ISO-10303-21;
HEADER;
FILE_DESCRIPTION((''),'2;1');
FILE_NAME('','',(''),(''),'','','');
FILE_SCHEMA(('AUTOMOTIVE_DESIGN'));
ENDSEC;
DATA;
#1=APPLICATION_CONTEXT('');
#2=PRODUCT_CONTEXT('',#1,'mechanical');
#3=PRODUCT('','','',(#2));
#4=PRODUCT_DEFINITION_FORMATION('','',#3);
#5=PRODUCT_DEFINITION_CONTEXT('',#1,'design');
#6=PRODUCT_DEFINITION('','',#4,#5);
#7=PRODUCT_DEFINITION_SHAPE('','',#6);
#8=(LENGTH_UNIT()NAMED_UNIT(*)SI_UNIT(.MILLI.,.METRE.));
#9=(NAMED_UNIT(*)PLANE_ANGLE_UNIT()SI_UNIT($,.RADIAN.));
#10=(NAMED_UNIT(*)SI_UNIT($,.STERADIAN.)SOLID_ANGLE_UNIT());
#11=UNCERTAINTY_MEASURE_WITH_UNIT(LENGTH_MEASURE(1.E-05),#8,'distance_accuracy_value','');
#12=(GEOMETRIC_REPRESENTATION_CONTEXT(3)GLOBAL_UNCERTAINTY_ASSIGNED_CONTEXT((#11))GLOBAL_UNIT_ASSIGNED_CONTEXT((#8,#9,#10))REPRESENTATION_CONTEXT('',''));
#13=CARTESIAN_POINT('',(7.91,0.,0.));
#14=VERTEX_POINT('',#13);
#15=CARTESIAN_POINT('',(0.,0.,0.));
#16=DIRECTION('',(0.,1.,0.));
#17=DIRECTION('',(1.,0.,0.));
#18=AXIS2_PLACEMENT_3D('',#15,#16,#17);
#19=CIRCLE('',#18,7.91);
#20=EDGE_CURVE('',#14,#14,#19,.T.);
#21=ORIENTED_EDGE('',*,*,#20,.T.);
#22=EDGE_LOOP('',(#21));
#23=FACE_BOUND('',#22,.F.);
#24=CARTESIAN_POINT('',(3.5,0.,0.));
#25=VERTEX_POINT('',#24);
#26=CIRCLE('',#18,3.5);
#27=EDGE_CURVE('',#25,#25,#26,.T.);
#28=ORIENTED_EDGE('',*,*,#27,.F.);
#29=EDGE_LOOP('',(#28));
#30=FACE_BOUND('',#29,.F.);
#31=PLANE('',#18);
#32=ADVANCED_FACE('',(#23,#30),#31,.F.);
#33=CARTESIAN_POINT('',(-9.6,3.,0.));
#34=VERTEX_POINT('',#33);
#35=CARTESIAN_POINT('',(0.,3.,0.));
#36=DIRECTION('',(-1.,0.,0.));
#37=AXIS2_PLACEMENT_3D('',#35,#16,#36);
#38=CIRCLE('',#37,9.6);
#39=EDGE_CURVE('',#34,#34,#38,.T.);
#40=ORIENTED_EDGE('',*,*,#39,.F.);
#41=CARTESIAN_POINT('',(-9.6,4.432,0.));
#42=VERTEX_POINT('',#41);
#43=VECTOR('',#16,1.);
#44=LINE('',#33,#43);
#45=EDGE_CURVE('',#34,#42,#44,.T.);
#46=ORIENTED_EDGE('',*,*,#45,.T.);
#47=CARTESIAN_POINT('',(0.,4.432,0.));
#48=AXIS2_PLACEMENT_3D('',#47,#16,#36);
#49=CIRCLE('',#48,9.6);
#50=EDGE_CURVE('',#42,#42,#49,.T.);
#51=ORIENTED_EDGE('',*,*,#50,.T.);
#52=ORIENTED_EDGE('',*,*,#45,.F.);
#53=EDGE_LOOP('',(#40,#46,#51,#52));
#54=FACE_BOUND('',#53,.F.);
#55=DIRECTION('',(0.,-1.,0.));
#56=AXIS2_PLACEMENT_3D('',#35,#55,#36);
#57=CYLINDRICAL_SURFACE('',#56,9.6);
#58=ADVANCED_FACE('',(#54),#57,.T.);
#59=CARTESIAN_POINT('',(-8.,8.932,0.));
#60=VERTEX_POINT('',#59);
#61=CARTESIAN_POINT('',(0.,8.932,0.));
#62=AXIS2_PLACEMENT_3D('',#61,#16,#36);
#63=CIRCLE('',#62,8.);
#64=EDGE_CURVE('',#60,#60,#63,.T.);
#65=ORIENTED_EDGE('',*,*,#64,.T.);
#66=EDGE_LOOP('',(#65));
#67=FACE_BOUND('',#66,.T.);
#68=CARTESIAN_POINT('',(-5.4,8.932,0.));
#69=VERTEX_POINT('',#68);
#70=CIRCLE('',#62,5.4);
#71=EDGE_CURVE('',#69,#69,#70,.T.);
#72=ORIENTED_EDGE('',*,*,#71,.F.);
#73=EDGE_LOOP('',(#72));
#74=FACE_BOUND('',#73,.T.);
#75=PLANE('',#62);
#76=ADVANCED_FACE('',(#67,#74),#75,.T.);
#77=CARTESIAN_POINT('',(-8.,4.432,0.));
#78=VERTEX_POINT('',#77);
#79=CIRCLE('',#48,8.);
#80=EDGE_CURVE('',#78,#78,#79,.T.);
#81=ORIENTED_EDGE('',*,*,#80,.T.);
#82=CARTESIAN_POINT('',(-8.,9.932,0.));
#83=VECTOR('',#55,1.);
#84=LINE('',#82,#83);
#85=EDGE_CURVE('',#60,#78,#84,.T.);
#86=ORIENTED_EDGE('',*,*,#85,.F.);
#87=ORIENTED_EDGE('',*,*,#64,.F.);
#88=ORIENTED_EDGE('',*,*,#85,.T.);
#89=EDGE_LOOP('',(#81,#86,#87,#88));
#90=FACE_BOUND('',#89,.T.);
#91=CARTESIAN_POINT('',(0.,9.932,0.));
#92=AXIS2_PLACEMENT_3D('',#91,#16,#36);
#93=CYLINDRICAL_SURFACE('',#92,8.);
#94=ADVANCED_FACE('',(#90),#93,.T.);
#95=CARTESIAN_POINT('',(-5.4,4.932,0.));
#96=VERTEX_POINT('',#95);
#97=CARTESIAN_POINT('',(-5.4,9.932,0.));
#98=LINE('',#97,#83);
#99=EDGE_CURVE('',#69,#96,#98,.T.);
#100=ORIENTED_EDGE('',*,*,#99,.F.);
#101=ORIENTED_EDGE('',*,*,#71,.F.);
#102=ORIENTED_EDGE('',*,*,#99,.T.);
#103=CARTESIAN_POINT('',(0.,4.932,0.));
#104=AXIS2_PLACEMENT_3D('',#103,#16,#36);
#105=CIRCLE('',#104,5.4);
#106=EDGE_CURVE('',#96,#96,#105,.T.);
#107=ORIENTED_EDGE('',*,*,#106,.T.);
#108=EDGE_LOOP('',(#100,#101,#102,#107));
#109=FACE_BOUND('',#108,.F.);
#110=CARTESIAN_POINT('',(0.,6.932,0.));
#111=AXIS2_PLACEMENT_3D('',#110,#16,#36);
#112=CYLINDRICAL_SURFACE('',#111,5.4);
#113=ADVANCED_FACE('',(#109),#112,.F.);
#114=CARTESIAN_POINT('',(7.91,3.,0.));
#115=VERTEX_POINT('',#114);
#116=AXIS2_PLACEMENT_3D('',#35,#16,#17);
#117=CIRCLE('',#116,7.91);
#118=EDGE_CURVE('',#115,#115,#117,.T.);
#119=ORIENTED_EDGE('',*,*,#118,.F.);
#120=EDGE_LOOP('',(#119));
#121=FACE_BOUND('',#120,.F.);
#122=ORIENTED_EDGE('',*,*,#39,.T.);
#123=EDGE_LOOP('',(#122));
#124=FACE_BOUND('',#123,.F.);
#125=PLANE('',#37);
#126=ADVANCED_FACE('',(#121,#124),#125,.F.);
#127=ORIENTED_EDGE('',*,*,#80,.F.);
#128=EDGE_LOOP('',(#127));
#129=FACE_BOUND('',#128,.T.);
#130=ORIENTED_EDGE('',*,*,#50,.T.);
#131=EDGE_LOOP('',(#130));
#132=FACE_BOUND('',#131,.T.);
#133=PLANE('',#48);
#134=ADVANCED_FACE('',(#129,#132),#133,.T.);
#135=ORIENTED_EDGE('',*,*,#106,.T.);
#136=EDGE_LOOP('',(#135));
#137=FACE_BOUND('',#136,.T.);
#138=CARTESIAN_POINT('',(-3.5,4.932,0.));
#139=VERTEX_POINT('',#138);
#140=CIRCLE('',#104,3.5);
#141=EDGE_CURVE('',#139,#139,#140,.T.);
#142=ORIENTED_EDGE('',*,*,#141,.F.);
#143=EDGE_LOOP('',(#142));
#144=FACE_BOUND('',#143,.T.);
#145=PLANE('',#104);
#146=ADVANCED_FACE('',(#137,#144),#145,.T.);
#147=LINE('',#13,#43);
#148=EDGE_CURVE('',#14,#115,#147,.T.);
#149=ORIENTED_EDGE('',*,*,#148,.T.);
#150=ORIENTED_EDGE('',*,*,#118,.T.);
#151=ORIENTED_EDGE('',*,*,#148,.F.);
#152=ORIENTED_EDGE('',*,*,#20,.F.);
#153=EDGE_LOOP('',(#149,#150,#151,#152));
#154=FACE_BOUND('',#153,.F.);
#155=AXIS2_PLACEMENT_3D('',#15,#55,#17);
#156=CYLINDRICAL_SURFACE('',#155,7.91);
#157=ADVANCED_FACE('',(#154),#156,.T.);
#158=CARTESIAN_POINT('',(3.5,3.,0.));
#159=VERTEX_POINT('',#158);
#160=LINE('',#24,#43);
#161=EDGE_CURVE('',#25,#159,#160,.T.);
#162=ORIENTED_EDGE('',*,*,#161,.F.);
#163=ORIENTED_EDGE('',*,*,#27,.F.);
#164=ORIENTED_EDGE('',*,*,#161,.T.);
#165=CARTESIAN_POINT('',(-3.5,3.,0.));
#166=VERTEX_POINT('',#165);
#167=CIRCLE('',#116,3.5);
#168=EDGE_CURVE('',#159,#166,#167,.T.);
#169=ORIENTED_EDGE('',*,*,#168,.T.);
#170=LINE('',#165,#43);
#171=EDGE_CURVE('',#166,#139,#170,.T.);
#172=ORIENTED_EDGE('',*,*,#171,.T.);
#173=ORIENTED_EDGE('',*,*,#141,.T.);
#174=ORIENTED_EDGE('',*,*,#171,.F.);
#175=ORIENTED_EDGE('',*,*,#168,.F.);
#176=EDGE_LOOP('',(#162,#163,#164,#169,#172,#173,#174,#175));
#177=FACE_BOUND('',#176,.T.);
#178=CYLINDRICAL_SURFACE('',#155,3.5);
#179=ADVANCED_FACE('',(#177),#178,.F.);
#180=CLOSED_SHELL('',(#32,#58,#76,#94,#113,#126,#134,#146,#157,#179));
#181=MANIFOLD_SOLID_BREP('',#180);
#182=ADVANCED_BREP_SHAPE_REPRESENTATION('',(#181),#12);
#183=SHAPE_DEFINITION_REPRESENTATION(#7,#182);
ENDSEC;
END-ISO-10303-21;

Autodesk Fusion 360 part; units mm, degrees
sketch "Sketch1" plane through (0, 0, 0) normal (0, 1, 0) x (1, 0, 0)
  circle A0 centre (0, 0) radius 7.91
  circle A1 centre (0, 0) radius 3.5
  dimension "d1" = 15.82
  dimension "d2" = 7
extrude "Extrude1" add sketch "Sketch1" along normal blind 3
sketch "Sketch2" plane through (0, 3, 0) normal (0, 1, 0) x (-1, 0, 0)
  circle A0 centre (0, 0) radius 3.5
  circle A1 centre (0, 0) radius 7.91
  circle A2 centre (0, 0) radius 9.6
  dimension "d5" = 19.2
extrude "Extrude2" add sketch "Sketch2" along normal blind 6.932 contours A1 | A2
sketch "Sketch3" plane through (0, 9.932, 0) normal (0, 1, 0) x (-1, 0, 0)
  circle A0 centre (0, 0) radius 3.5
  circle A1 centre (0, 0) radius 9.6
  circle A2 centre (0, 0) radius 5.4
  dimension "d8" = 10.8
extrude "Extrude3" cut sketch "Sketch3" against normal blind 3 contours A2
sketch "Sketch4" plane through (0, 9.932, 0) normal (0, 1, 0) x (-1, 0, 0)
  circle A0 centre (0, 0) radius 5.4
  circle A1 centre (0, 0) radius 9.6
  circle A2 centre (0, 0) radius 8
extrude "Extrude4" cut sketch "Sketch4" against normal blind 5.5 contours A1
extrude "Extrude5" cut 1 faces at (-4.7335, 6.932, -0.4422) along direction (0, -1, 0) blind 2
extrude "Extrude6" cut 1 faces at (-7.0834, 9.932, -0.6657) along direction (0, -1, 0) blind 1
